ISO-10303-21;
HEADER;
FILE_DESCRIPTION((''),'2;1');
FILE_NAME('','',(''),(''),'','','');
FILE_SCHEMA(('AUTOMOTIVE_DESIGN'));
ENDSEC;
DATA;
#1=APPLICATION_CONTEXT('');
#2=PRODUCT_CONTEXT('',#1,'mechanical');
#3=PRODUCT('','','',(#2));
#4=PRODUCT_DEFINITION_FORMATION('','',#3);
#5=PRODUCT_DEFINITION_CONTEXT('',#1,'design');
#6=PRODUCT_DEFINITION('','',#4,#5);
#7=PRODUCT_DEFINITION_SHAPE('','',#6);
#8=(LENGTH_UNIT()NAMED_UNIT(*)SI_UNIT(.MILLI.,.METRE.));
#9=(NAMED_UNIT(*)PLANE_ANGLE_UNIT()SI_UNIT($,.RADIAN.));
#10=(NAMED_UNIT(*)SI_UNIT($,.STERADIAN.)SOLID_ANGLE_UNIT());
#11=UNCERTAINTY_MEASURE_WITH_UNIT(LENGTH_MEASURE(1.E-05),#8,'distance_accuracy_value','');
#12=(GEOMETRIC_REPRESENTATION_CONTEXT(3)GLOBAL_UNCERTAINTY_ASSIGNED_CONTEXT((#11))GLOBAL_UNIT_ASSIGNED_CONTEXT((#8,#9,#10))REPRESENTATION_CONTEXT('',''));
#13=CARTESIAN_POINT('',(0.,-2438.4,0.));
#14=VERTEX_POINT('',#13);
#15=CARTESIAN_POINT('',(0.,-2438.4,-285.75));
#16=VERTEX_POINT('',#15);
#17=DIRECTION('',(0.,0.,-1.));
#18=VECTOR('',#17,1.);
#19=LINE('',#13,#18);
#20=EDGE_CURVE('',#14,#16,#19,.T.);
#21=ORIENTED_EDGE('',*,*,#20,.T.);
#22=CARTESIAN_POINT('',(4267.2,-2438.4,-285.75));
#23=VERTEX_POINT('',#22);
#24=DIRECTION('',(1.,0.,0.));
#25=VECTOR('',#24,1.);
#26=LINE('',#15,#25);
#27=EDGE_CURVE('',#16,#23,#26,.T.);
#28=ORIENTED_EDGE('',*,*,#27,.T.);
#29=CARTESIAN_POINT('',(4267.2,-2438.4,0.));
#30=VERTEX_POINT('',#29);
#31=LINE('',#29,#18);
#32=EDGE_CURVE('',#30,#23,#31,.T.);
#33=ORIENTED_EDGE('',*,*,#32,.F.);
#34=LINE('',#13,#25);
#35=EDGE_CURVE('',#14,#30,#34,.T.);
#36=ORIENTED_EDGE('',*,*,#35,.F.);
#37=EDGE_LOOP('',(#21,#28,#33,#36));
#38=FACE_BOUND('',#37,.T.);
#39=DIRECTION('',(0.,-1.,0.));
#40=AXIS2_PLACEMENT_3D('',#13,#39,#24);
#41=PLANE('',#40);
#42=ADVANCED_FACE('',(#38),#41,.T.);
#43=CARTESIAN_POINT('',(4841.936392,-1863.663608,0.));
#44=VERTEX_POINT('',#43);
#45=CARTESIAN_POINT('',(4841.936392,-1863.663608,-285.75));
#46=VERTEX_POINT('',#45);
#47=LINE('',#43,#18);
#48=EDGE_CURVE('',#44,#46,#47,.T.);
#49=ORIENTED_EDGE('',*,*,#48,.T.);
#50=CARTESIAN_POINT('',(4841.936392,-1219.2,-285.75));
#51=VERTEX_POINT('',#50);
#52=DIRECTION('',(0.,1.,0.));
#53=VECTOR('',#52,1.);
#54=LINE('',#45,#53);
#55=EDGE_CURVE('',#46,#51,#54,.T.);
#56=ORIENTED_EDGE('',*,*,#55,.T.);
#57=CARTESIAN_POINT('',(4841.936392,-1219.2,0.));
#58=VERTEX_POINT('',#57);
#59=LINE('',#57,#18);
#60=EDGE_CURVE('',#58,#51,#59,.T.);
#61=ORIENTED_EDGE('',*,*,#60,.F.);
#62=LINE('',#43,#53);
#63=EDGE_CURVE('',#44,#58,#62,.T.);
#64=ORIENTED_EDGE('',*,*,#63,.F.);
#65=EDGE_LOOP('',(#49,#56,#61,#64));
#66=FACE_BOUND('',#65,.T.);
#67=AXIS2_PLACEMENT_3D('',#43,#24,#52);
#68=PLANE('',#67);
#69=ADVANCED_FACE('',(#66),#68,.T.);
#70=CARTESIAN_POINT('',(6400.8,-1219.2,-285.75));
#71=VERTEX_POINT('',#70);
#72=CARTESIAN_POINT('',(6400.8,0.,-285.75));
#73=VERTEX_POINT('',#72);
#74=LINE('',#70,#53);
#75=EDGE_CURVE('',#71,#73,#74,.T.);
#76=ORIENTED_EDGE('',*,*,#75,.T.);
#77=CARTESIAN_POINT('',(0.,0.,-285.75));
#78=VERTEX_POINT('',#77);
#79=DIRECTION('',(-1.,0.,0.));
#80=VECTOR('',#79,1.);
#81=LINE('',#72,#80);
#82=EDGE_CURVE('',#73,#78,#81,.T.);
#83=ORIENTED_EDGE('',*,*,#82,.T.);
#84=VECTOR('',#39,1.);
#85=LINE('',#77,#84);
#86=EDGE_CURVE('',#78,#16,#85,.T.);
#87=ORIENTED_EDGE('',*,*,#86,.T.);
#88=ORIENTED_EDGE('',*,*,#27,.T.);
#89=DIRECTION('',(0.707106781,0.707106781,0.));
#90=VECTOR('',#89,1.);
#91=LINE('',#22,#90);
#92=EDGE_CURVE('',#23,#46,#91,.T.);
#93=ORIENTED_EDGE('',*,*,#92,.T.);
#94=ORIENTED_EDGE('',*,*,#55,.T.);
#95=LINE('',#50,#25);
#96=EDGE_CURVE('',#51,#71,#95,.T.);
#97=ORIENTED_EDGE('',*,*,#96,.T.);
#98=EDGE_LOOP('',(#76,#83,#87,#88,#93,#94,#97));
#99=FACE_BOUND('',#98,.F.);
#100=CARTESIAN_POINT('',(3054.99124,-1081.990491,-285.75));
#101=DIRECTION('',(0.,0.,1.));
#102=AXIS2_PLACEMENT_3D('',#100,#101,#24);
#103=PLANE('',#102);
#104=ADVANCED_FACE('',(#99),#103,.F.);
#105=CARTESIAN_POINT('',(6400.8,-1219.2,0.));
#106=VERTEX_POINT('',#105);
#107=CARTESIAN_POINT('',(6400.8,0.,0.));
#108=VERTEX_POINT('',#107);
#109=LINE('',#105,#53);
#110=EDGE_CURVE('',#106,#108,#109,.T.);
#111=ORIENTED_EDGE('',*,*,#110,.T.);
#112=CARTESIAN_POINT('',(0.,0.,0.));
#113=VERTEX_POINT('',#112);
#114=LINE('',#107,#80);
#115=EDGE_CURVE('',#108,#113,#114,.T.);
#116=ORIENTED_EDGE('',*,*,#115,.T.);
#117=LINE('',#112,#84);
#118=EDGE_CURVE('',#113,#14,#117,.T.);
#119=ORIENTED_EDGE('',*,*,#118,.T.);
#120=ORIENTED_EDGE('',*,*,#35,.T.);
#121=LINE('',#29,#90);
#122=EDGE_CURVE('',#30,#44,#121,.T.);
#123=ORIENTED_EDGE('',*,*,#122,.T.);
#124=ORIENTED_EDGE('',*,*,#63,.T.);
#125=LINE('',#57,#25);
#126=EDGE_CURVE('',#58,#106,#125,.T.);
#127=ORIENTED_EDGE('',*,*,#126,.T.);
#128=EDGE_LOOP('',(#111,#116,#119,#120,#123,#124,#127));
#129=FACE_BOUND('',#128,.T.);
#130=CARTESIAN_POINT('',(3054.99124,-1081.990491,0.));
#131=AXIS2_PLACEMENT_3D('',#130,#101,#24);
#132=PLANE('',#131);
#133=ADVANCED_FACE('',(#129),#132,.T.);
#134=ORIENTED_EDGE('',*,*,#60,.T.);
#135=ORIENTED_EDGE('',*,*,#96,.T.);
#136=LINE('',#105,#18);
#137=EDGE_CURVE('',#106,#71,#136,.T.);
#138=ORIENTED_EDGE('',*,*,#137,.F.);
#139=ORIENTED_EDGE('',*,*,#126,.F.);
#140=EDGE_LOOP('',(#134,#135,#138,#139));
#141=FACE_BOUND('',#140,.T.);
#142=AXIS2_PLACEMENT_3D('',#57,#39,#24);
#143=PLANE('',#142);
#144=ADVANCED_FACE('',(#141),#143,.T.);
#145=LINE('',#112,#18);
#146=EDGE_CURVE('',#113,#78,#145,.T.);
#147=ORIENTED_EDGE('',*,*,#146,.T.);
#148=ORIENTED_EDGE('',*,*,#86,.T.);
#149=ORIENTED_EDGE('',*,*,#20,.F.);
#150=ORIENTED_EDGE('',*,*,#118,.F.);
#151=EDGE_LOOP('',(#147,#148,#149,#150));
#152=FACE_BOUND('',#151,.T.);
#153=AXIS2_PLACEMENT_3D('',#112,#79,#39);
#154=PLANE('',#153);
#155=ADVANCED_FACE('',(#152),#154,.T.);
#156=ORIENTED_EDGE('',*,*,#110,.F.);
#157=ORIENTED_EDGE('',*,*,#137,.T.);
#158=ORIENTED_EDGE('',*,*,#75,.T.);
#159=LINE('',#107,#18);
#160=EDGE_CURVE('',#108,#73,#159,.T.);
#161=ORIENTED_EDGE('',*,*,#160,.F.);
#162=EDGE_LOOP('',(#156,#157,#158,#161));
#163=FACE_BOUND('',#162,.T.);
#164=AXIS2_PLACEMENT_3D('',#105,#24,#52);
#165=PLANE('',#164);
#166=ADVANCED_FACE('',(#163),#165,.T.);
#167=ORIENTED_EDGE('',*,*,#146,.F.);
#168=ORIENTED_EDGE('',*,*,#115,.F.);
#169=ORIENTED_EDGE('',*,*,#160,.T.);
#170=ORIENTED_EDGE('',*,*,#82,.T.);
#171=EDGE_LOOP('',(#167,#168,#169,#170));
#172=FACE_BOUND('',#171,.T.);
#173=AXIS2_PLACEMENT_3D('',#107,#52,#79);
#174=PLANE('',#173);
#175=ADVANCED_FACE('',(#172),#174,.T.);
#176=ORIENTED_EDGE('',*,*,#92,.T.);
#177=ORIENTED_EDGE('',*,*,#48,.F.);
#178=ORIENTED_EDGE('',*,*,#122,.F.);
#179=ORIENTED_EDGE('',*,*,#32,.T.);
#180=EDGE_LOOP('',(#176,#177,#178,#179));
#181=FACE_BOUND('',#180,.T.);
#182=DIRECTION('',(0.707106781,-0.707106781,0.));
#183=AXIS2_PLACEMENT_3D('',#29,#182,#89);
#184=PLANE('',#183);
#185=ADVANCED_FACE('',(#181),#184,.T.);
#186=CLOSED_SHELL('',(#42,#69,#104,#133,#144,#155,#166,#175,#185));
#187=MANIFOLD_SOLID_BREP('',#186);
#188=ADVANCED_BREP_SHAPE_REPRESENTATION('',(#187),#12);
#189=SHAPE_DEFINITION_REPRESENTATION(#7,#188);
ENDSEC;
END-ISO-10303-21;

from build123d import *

# Parameters (mm, degrees)
F1_DEPTH = 285.75


with BuildPart() as f1:
    # F0 (on Top) → F1 (new body)
    with BuildSketch(Plane.XY):
        Polygon((0, -812.8), (0, -2438.4), (1625.6, -2438.4), (3251.2, -2438.4), (4267.2, -2438.4), (4841.936392, -1863.663608), (4841.936392, -1219.2), (5181.6, -1219.2), (6400.8, -1219.2), (6400.8, 0), (0, 0), align=None)
    extrude(amount=-F1_DEPTH)


solid = f1.part
